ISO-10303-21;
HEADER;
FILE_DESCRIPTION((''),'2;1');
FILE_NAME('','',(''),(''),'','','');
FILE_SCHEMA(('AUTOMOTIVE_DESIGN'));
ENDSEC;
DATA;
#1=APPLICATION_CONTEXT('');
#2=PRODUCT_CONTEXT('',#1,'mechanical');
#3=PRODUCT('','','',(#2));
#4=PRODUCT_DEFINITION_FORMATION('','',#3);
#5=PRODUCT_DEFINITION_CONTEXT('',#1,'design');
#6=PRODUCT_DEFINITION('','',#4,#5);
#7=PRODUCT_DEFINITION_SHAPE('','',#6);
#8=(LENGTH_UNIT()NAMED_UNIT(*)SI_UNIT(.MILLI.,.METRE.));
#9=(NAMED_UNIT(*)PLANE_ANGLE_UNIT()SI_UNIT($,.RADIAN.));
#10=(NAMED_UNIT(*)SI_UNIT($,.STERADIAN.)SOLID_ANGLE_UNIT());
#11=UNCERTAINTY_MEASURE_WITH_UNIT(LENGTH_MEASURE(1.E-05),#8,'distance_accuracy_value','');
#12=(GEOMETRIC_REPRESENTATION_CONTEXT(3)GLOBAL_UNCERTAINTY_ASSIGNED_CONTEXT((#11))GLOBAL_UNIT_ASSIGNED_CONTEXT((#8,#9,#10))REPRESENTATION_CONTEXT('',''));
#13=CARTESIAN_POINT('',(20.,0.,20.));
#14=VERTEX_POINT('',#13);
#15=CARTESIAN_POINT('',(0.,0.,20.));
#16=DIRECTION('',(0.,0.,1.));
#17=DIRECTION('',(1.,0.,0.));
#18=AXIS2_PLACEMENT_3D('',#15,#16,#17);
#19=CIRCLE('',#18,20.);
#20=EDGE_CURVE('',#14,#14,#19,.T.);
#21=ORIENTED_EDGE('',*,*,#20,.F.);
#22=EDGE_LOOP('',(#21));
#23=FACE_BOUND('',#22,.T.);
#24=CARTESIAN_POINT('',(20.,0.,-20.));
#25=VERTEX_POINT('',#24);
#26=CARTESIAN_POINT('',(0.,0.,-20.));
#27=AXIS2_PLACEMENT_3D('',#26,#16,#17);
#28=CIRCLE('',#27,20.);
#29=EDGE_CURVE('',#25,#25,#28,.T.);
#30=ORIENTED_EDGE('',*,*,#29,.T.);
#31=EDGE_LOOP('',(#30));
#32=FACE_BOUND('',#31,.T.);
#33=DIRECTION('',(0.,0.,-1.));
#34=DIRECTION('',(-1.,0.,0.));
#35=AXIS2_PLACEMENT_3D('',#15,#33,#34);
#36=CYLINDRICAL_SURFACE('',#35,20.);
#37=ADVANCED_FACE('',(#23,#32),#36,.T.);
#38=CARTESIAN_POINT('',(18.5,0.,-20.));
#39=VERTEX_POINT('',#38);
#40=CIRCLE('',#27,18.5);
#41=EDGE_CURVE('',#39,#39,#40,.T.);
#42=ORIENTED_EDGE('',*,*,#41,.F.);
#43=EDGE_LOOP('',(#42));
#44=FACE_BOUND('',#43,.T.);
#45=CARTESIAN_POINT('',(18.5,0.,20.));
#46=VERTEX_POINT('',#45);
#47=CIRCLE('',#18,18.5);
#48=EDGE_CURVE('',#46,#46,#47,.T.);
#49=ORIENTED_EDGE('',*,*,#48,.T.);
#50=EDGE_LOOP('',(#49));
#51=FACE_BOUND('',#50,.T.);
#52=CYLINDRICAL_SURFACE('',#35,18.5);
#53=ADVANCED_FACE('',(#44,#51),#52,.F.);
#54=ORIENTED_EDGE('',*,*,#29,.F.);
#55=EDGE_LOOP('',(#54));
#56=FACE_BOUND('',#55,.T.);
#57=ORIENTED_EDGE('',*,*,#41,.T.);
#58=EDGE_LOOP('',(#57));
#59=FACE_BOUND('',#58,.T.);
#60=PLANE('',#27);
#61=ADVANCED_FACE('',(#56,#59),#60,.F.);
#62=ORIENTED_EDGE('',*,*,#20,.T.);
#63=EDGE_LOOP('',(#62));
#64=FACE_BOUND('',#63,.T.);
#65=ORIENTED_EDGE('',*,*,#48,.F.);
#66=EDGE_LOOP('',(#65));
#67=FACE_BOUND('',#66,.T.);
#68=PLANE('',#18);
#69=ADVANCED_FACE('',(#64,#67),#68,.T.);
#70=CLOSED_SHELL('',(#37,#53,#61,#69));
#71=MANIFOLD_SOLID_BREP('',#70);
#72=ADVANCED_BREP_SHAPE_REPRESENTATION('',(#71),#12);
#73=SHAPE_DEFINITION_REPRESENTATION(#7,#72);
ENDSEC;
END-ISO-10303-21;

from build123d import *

# Parameters (mm, degrees)
SKETCH_1_R      = 20
SKETCH_1_R_2    = 18.5
EXTRUDE_1_DEPTH = 20


with BuildPart() as part:
    # 草图1 → 凸台-拉伸1 (new, symmetric)
    with BuildSketch(Plane.XY):
        Circle(SKETCH_1_R)
        Circle(SKETCH_1_R_2, mode=Mode.SUBTRACT)
    extrude(amount=EXTRUDE_1_DEPTH, both=True)


solid = part.part
